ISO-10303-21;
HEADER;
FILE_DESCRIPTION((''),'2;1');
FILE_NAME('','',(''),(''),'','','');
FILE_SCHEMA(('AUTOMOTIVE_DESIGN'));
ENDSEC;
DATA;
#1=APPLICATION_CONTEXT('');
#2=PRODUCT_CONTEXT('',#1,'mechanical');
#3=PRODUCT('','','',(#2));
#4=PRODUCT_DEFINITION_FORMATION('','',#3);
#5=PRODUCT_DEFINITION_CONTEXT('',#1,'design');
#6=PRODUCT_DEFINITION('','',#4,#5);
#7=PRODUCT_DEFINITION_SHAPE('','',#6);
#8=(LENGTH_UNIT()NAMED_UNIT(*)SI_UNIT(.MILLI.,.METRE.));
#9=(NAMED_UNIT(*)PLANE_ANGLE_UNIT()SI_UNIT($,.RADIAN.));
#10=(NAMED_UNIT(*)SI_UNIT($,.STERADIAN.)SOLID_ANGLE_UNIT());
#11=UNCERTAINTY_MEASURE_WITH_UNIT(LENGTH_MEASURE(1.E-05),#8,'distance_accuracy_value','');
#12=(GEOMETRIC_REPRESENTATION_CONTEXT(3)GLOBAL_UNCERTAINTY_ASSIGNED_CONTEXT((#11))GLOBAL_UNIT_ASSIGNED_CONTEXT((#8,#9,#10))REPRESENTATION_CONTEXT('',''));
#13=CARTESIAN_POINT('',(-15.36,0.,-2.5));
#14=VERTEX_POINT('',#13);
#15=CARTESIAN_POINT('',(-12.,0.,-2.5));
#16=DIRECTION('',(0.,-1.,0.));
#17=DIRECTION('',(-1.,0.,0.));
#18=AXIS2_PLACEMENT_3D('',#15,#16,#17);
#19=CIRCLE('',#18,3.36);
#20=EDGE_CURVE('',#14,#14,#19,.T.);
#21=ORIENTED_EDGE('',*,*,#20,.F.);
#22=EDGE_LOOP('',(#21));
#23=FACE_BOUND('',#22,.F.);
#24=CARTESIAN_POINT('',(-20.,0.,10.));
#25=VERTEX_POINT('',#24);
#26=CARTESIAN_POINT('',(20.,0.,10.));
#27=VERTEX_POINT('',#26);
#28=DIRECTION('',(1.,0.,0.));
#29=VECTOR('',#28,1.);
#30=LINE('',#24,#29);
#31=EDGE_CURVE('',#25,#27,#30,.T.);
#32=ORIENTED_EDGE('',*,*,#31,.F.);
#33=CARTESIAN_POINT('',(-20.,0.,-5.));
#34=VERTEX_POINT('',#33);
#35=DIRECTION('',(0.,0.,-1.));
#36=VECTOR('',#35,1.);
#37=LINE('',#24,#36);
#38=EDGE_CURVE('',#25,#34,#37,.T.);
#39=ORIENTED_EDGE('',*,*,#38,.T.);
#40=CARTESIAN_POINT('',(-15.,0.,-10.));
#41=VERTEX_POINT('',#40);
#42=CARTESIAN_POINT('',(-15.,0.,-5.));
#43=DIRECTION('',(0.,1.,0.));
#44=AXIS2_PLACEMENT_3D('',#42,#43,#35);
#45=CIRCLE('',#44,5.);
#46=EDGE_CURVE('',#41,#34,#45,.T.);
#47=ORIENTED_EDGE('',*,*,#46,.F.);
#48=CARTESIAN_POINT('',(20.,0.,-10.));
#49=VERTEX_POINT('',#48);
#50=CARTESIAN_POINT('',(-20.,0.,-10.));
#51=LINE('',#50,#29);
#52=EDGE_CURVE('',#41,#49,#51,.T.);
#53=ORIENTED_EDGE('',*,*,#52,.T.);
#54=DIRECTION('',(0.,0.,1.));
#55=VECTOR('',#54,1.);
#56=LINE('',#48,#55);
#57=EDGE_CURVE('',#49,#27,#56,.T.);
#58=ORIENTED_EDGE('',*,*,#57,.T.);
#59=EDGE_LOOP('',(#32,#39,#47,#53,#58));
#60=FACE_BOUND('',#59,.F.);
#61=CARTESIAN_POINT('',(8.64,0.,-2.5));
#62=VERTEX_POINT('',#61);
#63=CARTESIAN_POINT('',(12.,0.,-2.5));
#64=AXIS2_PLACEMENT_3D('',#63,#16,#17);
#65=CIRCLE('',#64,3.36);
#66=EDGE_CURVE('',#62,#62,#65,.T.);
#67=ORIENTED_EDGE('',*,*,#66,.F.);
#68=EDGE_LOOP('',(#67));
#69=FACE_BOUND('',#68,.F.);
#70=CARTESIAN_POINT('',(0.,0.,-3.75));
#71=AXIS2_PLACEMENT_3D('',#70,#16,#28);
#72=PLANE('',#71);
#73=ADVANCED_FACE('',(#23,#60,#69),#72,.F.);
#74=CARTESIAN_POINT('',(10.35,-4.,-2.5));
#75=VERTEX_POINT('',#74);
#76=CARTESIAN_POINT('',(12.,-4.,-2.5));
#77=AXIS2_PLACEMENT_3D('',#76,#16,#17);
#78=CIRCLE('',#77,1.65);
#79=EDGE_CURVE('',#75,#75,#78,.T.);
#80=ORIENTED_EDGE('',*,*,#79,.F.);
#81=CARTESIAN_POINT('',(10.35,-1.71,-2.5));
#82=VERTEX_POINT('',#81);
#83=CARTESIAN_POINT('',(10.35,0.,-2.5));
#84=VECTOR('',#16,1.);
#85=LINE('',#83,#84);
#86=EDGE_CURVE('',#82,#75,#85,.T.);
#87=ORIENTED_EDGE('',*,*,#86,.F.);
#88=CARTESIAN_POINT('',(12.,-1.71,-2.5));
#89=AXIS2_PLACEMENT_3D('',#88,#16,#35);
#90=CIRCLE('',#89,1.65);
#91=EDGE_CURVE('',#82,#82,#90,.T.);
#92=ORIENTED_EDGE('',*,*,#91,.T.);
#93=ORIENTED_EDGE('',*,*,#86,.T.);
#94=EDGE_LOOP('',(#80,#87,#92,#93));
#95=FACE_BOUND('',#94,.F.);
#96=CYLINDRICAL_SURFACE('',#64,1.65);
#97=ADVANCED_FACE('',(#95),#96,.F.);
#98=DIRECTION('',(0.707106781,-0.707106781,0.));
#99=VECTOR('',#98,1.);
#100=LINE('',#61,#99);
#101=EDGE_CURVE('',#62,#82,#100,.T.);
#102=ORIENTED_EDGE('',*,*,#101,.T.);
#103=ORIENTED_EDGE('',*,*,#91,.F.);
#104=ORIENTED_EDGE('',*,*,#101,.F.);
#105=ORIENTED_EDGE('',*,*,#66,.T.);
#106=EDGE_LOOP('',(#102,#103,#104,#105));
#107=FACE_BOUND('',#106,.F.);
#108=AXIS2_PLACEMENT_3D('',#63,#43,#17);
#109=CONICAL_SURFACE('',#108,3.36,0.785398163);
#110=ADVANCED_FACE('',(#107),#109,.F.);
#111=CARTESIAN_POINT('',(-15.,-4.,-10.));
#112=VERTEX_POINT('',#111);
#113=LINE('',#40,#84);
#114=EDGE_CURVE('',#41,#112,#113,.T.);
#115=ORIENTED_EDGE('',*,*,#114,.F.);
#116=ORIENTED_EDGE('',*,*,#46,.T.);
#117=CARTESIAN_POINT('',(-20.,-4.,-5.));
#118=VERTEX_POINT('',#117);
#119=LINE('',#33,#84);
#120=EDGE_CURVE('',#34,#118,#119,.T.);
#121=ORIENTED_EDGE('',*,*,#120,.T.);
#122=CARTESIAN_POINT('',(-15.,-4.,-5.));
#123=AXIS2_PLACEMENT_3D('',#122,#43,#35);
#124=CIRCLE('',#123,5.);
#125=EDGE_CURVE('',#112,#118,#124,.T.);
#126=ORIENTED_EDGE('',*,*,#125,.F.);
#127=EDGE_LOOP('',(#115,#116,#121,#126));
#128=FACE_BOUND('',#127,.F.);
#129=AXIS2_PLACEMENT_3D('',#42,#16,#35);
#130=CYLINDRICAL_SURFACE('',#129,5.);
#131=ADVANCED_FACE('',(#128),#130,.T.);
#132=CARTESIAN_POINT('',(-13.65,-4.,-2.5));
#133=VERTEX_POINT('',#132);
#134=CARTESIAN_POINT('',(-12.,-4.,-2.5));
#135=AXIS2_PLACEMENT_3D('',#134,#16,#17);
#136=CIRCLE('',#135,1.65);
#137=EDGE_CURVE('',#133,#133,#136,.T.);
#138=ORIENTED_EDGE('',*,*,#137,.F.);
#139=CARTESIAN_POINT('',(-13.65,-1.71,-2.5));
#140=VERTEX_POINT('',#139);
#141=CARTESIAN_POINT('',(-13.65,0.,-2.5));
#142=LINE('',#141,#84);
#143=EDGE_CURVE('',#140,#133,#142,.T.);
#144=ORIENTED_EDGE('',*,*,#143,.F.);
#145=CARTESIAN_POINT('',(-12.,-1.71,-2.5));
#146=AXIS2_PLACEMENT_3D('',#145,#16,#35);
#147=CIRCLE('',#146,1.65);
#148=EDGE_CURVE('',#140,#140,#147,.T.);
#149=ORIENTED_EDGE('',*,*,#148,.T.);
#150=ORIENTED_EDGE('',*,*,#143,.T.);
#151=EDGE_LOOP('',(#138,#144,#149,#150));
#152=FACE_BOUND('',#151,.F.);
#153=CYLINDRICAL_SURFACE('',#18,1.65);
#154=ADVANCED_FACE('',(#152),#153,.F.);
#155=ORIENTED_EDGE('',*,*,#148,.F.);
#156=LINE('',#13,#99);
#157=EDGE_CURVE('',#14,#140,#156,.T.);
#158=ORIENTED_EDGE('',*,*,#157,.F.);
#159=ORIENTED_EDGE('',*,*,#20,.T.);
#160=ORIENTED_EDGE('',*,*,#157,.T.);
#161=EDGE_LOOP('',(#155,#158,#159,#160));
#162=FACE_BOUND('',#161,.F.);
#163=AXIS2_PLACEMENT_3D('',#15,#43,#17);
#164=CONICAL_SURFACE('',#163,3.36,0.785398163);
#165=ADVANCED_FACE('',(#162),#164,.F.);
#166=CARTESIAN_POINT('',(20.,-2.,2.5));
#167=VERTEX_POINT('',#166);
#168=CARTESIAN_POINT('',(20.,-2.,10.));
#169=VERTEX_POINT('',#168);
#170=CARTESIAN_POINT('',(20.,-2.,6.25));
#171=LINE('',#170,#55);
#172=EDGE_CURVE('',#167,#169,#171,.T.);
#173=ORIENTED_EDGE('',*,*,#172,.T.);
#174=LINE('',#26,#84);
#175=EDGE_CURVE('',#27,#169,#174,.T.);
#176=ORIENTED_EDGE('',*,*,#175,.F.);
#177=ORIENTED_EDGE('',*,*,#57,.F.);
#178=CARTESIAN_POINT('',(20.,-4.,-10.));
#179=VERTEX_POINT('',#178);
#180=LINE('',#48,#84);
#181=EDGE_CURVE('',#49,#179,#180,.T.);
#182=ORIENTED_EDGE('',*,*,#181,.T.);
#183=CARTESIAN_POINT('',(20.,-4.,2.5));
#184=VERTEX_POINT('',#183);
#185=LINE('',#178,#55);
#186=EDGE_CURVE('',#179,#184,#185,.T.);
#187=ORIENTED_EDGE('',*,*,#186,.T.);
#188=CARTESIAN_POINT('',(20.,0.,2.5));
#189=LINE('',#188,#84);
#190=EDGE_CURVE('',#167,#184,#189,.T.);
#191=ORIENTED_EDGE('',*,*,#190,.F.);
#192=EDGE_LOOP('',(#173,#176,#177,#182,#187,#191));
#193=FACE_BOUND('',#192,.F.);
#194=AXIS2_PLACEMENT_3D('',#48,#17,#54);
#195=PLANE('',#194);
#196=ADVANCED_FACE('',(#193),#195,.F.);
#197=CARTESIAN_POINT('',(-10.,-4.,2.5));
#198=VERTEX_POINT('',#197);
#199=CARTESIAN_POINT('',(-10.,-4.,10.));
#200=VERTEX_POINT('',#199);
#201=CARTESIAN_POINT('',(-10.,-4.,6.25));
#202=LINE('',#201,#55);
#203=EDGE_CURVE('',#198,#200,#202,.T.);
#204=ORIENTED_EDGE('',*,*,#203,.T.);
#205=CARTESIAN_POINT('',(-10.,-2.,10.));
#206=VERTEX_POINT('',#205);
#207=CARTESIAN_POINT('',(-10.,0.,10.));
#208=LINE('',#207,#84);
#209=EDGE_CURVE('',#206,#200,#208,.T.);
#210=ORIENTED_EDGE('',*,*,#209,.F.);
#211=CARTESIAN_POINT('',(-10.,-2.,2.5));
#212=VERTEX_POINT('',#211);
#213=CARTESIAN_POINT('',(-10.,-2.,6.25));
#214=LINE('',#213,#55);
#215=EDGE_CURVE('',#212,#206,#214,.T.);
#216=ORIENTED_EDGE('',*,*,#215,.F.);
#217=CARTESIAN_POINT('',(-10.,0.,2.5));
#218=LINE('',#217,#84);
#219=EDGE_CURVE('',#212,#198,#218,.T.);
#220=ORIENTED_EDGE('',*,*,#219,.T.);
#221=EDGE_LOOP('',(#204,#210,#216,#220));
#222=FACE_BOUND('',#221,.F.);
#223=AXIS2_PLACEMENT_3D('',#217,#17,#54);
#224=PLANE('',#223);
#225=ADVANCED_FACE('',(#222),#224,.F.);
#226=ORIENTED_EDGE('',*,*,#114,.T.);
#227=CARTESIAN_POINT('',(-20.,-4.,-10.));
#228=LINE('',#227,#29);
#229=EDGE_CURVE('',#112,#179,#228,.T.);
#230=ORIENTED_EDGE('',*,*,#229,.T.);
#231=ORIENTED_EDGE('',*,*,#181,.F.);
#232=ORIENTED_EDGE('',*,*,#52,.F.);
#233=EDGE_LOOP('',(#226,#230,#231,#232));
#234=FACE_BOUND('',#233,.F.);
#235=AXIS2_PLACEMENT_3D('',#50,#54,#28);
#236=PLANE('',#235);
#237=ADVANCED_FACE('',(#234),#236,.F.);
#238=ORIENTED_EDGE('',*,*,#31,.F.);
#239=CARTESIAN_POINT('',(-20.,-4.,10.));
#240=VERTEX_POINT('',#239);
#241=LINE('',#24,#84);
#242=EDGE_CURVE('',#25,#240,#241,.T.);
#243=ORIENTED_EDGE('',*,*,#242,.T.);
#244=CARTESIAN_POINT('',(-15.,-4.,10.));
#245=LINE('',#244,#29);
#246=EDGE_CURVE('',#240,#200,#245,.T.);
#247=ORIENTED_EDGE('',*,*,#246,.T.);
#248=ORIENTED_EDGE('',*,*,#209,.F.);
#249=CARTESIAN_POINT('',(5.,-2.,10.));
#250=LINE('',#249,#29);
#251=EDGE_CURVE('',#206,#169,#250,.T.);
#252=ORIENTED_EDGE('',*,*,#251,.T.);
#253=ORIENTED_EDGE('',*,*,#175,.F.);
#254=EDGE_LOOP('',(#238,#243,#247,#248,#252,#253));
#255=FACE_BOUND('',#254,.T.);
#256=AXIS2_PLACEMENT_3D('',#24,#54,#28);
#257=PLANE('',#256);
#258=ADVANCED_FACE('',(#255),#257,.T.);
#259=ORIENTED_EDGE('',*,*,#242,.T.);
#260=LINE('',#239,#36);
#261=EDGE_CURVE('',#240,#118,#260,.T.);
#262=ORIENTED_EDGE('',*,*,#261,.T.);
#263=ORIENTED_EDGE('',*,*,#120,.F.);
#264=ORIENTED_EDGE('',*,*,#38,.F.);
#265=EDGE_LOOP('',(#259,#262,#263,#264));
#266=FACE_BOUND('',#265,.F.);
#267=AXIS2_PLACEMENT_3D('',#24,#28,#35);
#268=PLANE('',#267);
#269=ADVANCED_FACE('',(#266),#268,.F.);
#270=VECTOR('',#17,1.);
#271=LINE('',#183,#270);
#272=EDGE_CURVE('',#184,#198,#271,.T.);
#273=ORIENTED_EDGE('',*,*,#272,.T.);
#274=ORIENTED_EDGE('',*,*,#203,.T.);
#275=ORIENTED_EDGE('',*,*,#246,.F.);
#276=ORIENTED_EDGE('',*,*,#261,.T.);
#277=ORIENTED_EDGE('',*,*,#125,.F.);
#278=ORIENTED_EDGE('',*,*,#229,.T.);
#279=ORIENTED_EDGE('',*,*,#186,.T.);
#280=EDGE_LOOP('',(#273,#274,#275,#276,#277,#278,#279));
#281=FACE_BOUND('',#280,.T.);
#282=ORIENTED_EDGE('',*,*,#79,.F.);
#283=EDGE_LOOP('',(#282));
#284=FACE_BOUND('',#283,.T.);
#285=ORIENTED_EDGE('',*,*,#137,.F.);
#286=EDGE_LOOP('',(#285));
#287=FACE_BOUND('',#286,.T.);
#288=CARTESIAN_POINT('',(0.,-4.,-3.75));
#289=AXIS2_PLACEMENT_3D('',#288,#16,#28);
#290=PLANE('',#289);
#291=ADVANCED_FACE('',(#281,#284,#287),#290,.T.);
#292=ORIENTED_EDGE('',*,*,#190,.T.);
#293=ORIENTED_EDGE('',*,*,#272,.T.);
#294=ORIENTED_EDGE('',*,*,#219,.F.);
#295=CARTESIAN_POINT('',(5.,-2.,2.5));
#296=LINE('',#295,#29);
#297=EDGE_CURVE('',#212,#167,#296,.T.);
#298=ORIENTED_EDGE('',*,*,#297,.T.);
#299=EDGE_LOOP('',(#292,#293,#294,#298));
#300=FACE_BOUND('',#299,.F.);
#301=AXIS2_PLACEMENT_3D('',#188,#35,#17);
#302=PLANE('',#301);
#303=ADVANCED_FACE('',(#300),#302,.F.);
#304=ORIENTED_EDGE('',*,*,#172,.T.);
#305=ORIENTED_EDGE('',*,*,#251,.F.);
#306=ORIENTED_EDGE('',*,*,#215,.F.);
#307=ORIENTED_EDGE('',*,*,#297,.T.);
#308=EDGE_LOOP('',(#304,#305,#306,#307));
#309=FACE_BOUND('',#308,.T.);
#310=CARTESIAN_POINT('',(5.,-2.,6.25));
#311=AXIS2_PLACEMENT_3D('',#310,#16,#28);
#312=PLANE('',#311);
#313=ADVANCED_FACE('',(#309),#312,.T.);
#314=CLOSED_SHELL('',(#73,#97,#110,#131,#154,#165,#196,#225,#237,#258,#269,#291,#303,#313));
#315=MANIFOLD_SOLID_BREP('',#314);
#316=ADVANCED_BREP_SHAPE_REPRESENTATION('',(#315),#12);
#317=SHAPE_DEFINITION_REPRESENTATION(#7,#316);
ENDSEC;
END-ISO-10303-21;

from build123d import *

# Parameters (mm, degrees)
F0_W           = 30
F0_H           = 7.5
F1_DEPTH       = 2
F0_W_2         = 10
F2_DEPTH       = 4
F3_D           = 3.3
F3_CSINK_D     = 6.72
F3_CSINK_ANGLE = 90
F4_R           = 5


with BuildPart() as f1:
    # F0 (on Front) → F1 (new body)
    with BuildSketch(Plane.XZ):
        with Locations((5, 6.25)):
            Rectangle(F0_W, F0_H)
    extrude(amount=F1_DEPTH)

    # F0 (on Front) → F2 (join)
    with BuildSketch(Plane.XZ):
        Polygon((-20, -10), (20, -10), (20, 2.5), (-10, 2.5), (-20, 2.5), align=None)
        with Locations((-15, 6.25)):
            Rectangle(F0_W_2, F0_H)
    extrude(amount=F2_DEPTH)

    # F3 (through all)
    with Locations(Plane(origin=(0, 0, 0), x_dir=(1, 0, 0), z_dir=(0, 1, 0))):
        with Locations((-12, 2.5), (12, 2.5)):
            CounterSinkHole(F3_D / 2, F3_CSINK_D / 2, counter_sink_angle=F3_CSINK_ANGLE)

    # F4
    f4_edges = [f1.edges().sort_by_distance(p)[0] for p in [
        (-20, -2, -10),
    ]]
    fillet(f4_edges, radius=F4_R)


solid = f1.part
